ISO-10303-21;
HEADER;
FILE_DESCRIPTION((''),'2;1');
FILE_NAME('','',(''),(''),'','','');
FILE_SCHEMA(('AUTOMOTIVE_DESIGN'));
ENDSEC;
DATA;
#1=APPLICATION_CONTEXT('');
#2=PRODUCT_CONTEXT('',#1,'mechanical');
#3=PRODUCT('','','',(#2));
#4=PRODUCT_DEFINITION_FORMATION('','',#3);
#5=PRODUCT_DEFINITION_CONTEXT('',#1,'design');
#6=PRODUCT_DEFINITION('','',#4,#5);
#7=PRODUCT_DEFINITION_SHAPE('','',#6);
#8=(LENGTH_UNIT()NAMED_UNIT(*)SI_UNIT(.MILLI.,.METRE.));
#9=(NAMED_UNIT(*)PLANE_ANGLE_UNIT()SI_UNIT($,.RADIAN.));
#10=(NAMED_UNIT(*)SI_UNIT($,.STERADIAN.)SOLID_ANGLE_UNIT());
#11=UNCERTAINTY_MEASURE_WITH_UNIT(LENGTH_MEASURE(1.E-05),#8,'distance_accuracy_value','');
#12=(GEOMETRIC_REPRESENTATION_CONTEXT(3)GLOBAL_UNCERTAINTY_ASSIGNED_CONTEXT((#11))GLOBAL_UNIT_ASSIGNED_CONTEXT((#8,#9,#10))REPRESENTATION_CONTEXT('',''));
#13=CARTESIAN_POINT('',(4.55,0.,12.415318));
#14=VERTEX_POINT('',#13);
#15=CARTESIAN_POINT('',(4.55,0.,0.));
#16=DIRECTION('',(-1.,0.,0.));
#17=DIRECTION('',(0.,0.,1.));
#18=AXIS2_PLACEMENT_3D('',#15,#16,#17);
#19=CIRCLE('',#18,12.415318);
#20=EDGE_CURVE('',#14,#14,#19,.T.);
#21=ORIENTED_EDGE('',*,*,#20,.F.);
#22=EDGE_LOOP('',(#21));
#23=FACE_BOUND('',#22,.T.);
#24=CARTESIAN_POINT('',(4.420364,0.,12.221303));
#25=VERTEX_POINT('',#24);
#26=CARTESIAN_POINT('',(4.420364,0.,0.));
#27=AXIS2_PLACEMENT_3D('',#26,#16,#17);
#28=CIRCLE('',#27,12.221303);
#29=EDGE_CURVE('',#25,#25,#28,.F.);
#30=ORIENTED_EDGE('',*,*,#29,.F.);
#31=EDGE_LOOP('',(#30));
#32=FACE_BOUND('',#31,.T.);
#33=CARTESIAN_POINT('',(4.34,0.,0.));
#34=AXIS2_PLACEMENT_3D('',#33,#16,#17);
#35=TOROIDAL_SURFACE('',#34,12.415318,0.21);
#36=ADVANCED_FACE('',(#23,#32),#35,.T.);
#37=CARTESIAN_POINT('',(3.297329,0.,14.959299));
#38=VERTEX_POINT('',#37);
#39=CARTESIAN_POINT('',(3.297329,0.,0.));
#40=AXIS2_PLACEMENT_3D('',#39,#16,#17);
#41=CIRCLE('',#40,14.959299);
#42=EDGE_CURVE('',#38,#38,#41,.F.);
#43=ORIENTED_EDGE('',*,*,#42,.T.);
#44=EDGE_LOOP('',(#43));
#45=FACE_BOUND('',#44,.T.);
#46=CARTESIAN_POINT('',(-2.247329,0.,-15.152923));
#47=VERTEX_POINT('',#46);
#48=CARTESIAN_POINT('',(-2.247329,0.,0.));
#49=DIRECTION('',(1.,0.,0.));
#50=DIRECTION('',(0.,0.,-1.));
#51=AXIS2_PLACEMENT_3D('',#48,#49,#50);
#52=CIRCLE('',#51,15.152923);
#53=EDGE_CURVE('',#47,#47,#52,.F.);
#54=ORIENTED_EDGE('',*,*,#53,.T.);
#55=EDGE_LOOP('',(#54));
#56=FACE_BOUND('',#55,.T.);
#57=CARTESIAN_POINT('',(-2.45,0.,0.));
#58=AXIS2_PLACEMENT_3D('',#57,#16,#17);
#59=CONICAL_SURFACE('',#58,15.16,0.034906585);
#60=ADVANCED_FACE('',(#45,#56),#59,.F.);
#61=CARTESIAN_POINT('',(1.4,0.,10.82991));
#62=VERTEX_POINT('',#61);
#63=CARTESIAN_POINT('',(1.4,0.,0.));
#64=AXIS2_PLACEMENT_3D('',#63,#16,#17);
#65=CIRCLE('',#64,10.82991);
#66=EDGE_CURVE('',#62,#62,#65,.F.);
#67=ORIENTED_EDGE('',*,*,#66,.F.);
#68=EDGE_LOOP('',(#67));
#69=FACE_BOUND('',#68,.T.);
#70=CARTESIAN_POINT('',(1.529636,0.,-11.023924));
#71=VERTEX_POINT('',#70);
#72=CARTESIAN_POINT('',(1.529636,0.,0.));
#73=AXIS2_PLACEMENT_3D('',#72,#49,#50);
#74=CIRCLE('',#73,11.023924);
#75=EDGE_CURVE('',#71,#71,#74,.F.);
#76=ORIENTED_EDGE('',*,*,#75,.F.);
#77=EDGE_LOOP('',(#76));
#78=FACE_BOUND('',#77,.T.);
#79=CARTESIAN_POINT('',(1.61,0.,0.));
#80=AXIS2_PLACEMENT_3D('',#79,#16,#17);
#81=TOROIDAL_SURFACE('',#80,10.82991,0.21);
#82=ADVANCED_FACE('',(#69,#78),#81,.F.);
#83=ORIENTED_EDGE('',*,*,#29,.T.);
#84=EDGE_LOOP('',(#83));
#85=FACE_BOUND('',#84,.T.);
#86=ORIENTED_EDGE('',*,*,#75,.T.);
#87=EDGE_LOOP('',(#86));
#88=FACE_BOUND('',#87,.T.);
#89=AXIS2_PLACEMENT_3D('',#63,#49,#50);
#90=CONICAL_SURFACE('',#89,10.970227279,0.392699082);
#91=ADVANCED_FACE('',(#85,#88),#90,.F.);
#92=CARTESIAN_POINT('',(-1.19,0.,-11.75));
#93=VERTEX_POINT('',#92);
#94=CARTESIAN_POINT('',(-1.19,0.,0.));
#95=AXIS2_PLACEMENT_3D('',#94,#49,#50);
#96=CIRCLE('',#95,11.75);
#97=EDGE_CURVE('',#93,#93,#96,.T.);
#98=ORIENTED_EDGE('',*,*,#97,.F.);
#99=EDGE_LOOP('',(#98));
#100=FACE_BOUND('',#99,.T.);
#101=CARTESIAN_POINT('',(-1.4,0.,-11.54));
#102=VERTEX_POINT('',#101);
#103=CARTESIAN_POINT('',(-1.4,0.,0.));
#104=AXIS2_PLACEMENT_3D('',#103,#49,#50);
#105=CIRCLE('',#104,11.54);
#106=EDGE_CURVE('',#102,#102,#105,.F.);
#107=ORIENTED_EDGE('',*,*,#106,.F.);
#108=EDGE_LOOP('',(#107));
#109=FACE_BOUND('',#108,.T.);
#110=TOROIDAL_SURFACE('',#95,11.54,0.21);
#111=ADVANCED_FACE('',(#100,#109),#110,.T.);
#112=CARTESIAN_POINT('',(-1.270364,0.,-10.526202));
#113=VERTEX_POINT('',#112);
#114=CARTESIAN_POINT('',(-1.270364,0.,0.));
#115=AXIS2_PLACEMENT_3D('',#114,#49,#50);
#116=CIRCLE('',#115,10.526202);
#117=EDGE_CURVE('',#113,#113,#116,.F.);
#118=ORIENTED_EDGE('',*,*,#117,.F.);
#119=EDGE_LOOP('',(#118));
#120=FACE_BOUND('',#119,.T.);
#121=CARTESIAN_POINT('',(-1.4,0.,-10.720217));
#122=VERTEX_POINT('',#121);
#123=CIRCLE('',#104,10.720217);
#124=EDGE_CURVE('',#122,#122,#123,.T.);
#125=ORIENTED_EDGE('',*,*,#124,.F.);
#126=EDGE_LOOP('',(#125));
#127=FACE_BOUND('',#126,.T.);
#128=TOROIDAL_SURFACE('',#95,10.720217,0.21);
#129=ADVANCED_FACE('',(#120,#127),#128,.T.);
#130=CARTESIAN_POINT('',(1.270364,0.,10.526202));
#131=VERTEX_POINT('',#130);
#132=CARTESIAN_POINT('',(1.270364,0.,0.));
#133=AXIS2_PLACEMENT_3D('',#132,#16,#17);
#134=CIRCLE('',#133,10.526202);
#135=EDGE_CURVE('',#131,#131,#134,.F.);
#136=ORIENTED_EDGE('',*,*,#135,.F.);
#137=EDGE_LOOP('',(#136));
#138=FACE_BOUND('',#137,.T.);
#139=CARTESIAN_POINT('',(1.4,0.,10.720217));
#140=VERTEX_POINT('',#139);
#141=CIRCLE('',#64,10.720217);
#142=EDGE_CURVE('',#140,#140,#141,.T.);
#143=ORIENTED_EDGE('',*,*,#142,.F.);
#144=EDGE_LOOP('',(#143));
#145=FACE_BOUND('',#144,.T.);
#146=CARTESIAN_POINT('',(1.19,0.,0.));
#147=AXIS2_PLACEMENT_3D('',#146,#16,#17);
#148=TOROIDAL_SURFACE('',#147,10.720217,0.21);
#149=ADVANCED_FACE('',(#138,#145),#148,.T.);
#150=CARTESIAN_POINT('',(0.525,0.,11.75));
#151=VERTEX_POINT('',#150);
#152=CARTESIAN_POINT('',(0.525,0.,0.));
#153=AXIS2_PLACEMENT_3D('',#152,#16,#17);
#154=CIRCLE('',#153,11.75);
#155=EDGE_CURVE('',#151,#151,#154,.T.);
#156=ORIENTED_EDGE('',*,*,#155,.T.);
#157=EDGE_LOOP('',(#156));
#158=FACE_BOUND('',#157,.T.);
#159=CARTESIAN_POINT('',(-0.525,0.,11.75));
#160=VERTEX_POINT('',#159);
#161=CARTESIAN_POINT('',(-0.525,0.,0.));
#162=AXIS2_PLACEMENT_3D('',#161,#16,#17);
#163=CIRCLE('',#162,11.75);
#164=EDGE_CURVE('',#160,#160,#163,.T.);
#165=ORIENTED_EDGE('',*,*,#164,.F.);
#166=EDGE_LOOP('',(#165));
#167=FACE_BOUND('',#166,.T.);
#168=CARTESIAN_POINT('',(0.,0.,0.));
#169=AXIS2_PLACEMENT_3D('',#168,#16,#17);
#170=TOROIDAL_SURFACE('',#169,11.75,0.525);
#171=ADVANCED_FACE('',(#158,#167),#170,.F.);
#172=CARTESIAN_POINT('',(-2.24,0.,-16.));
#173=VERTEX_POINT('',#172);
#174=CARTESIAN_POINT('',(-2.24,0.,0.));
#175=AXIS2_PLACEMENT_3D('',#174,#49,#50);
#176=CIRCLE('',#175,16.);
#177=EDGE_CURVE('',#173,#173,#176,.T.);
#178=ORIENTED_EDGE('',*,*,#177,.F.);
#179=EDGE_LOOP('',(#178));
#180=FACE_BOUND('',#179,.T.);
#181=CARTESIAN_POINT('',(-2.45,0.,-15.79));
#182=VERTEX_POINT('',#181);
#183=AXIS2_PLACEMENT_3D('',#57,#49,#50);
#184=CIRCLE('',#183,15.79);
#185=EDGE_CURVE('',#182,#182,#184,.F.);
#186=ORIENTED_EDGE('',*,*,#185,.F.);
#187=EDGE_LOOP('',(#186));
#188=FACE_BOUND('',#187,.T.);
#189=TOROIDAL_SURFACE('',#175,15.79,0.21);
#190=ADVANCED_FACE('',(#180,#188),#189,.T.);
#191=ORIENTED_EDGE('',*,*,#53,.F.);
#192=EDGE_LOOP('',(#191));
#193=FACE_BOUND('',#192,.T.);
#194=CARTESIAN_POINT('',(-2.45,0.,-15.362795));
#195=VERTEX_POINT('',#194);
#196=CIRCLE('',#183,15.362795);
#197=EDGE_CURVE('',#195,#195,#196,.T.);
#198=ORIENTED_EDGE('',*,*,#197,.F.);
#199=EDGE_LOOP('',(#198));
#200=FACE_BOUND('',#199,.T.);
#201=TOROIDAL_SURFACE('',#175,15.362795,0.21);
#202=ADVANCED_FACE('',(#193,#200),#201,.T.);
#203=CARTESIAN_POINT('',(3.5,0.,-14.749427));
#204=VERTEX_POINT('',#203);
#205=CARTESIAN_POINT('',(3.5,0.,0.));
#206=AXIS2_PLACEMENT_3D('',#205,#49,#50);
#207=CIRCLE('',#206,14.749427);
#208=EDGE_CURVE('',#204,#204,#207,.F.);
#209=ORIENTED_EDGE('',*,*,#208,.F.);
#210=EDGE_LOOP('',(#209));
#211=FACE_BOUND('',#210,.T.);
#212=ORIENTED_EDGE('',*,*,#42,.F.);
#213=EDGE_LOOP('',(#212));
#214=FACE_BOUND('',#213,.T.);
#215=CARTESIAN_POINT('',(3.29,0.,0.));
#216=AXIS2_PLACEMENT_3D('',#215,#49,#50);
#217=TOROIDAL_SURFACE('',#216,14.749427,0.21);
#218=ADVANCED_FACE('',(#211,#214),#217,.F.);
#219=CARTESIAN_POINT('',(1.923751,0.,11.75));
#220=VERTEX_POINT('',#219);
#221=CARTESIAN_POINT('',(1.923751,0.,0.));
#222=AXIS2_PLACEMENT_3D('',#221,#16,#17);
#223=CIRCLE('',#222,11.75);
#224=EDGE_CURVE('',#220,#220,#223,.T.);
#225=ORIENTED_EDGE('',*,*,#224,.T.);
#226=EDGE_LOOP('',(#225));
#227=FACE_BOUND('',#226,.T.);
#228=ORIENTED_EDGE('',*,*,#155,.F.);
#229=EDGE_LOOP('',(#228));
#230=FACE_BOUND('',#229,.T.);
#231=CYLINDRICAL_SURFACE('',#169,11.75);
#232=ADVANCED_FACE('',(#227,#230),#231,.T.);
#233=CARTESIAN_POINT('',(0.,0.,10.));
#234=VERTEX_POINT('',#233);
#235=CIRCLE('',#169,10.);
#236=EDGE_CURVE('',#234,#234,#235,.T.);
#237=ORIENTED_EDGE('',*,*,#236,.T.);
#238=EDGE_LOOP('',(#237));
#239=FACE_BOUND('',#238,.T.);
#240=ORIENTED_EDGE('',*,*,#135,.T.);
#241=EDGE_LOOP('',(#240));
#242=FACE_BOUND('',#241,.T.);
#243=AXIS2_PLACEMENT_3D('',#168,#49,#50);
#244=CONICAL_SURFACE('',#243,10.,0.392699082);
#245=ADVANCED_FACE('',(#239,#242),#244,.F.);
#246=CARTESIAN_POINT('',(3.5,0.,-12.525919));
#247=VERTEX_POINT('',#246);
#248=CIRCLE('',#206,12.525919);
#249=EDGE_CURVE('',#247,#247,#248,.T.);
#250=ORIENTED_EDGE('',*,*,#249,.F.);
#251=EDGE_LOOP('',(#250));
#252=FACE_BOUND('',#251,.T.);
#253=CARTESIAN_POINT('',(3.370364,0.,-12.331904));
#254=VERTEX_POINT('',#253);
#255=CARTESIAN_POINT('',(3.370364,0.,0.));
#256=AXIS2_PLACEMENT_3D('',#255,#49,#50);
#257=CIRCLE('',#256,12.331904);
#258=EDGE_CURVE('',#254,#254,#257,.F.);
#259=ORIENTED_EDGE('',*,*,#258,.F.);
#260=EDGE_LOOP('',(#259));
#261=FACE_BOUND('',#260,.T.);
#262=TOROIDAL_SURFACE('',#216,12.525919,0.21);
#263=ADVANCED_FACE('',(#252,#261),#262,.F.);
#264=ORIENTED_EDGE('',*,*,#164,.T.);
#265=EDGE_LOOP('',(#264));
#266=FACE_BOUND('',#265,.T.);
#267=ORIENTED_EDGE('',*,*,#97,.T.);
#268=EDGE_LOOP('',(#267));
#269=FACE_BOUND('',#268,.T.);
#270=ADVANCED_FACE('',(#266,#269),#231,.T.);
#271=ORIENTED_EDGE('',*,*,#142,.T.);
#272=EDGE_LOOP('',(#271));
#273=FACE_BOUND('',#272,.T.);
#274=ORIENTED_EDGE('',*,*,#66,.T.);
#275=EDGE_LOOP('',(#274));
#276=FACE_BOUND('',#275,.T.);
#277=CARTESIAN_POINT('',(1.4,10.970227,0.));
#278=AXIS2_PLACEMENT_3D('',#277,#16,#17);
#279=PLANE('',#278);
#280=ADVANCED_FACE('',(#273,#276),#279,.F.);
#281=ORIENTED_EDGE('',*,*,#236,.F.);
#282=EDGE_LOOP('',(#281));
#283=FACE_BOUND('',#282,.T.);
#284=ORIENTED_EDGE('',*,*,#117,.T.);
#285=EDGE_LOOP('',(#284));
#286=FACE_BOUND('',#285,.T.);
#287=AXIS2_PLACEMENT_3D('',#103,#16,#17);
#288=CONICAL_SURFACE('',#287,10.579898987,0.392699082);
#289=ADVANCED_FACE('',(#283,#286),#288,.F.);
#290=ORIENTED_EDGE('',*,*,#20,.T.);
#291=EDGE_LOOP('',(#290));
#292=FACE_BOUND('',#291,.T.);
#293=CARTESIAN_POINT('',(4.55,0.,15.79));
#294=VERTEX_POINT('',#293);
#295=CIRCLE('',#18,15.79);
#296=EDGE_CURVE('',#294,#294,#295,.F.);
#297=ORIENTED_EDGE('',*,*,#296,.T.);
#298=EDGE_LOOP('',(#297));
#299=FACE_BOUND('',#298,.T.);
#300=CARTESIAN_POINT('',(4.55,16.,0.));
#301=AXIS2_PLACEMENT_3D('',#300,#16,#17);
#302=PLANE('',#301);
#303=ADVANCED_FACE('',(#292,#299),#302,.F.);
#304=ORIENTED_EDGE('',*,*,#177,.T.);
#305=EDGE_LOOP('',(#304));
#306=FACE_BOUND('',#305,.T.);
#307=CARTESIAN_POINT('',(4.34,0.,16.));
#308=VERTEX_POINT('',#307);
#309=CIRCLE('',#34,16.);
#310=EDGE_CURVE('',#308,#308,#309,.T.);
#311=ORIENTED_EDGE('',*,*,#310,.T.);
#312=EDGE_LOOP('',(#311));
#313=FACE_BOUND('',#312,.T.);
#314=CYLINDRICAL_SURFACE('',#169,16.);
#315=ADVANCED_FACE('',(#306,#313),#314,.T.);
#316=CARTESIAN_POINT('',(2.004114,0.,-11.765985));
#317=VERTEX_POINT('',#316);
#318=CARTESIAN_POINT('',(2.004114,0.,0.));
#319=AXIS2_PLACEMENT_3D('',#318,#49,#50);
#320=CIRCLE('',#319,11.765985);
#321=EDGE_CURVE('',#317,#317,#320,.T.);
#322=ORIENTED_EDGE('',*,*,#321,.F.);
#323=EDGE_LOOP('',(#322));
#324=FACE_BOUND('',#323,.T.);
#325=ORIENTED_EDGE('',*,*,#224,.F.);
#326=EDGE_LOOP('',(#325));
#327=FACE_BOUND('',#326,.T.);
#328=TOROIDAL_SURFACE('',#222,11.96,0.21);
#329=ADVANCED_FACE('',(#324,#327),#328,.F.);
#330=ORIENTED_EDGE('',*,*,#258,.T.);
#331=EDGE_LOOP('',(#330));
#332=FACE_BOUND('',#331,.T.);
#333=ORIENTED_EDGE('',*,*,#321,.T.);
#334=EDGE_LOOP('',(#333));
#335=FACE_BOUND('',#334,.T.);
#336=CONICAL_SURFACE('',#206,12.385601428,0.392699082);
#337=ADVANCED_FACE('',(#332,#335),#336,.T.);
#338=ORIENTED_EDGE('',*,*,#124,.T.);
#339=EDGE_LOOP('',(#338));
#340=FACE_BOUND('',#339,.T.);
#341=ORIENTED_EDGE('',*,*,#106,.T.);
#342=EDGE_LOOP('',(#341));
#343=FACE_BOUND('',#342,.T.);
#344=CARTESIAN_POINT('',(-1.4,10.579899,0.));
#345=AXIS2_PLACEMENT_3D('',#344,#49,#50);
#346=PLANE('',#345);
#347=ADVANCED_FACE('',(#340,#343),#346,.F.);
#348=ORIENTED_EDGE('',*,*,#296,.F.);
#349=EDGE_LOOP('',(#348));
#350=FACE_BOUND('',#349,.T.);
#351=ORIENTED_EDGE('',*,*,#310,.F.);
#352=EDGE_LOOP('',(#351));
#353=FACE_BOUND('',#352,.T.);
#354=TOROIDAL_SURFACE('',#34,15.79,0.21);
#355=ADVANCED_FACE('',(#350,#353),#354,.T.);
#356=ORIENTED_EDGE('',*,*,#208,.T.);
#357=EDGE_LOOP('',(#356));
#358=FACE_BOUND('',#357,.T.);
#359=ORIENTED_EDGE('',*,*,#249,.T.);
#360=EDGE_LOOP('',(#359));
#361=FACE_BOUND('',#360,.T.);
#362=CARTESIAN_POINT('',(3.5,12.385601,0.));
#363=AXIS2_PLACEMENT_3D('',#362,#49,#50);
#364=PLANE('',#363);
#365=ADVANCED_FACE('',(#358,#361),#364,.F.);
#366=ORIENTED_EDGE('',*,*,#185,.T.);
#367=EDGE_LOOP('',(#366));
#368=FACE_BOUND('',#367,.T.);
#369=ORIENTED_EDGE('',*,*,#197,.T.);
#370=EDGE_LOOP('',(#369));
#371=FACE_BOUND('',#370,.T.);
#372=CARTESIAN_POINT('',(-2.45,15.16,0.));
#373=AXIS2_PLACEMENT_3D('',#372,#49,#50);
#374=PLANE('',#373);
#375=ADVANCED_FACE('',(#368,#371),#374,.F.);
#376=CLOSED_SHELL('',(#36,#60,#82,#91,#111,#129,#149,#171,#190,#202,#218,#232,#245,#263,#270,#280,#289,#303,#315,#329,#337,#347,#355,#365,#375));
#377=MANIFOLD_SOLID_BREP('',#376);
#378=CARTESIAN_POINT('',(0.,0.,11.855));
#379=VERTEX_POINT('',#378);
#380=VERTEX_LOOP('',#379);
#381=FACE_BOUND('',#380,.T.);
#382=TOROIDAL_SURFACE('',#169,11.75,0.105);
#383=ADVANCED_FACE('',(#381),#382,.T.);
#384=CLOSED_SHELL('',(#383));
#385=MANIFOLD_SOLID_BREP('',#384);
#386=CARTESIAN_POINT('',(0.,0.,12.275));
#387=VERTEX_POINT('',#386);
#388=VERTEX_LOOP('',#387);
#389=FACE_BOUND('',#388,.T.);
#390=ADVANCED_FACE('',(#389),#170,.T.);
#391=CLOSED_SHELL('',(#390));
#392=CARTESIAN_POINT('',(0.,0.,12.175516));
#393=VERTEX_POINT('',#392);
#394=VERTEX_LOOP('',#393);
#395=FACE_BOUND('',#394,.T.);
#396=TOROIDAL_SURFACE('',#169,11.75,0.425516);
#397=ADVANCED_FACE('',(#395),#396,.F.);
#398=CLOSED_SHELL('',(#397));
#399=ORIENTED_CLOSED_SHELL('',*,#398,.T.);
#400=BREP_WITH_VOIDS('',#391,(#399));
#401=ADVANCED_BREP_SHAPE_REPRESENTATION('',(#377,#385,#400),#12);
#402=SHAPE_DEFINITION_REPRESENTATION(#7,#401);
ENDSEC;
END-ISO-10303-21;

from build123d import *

# Parameters (mm, degrees)
ZAOBLIT1_R = 0.21
SKICA2_R   = 0.525
SKICA2_R_2 = 0.42551639
SKICA2_R_3 = 0.105


with BuildPart() as part:
    # Skica1 → Otočit kolem osy1 (revolve)
    with BuildSketch(Plane.XY):
        with BuildLine():
            Line((-2.45, 16), (4.55, 16))
            Line((4.55, 16), (4.55, 12.275))
            Line((4.55, 12.275), (1.4, 10.970227279))
            Line((1.4, 10.970227279), (1.4, 10.579898987))
            Line((1.4, 10.579898987), (0, 10))
            Line((0, 10), (-1.4, 10.579898987))
            Line((-1.4, 10.579898987), (-1.4, 11.75))
            Line((-1.4, 11.75), (-0.525, 11.75))
            ThreePointArc((-0.525, 11.75), (0, 11.225), (0.525, 11.75))
            Line((0.525, 11.75), (1.965522411, 11.75))
            Line((1.965522411, 11.75), (3.5, 12.385601428))
            Line((3.5, 12.385601428), (3.5, 14.952221422))
            Line((3.5, 14.952221422), (-2.45, 15.16))
            Line((-2.45, 15.16), (-2.45, 16))
        make_face()
    revolve(axis=Axis((0, 0, 0), (1, 0, 0)))

    # Zaoblit1
    zaoblit1_edges = [part.edges().sort_by_distance(p)[0] for p in [
        (-1.4, -10.579898987, 0),
        (-1.4, -11.75, 0),
        (1.965522411, -11.75, 0),
        (3.5, -12.385601428, 0),
        (3.5, -14.952221422, 0),
        (-2.45, -15.16, 0),
        (-2.45, -16, 0),
        (4.55, -16, 0),
        (4.55, -12.275, 0),
        (1.4, -10.970227279, 0),
        (1.4, -10.579898987, 0),
    ]]
    fillet(zaoblit1_edges, radius=ZAOBLIT1_R)


with BuildPart() as body_2:
    # Skica2 → Otočit kolem osy3 (revolve)
    with BuildSketch(Plane(origin=(0, 0, 0), x_dir=(1, 0, 0), z_dir=(0, 1, 0))):
        with Locations((0, 11.75)):
            Circle(SKICA2_R)
        with Locations((0, 11.75)):
            Circle(SKICA2_R_2, mode=Mode.SUBTRACT)
        with Locations((0, 11.75)):
            Circle(SKICA2_R_3)
    revolve(axis=Axis((0, 0, 0), (1, 0, 0)))


solid = Compound([part.part, body_2.part])
